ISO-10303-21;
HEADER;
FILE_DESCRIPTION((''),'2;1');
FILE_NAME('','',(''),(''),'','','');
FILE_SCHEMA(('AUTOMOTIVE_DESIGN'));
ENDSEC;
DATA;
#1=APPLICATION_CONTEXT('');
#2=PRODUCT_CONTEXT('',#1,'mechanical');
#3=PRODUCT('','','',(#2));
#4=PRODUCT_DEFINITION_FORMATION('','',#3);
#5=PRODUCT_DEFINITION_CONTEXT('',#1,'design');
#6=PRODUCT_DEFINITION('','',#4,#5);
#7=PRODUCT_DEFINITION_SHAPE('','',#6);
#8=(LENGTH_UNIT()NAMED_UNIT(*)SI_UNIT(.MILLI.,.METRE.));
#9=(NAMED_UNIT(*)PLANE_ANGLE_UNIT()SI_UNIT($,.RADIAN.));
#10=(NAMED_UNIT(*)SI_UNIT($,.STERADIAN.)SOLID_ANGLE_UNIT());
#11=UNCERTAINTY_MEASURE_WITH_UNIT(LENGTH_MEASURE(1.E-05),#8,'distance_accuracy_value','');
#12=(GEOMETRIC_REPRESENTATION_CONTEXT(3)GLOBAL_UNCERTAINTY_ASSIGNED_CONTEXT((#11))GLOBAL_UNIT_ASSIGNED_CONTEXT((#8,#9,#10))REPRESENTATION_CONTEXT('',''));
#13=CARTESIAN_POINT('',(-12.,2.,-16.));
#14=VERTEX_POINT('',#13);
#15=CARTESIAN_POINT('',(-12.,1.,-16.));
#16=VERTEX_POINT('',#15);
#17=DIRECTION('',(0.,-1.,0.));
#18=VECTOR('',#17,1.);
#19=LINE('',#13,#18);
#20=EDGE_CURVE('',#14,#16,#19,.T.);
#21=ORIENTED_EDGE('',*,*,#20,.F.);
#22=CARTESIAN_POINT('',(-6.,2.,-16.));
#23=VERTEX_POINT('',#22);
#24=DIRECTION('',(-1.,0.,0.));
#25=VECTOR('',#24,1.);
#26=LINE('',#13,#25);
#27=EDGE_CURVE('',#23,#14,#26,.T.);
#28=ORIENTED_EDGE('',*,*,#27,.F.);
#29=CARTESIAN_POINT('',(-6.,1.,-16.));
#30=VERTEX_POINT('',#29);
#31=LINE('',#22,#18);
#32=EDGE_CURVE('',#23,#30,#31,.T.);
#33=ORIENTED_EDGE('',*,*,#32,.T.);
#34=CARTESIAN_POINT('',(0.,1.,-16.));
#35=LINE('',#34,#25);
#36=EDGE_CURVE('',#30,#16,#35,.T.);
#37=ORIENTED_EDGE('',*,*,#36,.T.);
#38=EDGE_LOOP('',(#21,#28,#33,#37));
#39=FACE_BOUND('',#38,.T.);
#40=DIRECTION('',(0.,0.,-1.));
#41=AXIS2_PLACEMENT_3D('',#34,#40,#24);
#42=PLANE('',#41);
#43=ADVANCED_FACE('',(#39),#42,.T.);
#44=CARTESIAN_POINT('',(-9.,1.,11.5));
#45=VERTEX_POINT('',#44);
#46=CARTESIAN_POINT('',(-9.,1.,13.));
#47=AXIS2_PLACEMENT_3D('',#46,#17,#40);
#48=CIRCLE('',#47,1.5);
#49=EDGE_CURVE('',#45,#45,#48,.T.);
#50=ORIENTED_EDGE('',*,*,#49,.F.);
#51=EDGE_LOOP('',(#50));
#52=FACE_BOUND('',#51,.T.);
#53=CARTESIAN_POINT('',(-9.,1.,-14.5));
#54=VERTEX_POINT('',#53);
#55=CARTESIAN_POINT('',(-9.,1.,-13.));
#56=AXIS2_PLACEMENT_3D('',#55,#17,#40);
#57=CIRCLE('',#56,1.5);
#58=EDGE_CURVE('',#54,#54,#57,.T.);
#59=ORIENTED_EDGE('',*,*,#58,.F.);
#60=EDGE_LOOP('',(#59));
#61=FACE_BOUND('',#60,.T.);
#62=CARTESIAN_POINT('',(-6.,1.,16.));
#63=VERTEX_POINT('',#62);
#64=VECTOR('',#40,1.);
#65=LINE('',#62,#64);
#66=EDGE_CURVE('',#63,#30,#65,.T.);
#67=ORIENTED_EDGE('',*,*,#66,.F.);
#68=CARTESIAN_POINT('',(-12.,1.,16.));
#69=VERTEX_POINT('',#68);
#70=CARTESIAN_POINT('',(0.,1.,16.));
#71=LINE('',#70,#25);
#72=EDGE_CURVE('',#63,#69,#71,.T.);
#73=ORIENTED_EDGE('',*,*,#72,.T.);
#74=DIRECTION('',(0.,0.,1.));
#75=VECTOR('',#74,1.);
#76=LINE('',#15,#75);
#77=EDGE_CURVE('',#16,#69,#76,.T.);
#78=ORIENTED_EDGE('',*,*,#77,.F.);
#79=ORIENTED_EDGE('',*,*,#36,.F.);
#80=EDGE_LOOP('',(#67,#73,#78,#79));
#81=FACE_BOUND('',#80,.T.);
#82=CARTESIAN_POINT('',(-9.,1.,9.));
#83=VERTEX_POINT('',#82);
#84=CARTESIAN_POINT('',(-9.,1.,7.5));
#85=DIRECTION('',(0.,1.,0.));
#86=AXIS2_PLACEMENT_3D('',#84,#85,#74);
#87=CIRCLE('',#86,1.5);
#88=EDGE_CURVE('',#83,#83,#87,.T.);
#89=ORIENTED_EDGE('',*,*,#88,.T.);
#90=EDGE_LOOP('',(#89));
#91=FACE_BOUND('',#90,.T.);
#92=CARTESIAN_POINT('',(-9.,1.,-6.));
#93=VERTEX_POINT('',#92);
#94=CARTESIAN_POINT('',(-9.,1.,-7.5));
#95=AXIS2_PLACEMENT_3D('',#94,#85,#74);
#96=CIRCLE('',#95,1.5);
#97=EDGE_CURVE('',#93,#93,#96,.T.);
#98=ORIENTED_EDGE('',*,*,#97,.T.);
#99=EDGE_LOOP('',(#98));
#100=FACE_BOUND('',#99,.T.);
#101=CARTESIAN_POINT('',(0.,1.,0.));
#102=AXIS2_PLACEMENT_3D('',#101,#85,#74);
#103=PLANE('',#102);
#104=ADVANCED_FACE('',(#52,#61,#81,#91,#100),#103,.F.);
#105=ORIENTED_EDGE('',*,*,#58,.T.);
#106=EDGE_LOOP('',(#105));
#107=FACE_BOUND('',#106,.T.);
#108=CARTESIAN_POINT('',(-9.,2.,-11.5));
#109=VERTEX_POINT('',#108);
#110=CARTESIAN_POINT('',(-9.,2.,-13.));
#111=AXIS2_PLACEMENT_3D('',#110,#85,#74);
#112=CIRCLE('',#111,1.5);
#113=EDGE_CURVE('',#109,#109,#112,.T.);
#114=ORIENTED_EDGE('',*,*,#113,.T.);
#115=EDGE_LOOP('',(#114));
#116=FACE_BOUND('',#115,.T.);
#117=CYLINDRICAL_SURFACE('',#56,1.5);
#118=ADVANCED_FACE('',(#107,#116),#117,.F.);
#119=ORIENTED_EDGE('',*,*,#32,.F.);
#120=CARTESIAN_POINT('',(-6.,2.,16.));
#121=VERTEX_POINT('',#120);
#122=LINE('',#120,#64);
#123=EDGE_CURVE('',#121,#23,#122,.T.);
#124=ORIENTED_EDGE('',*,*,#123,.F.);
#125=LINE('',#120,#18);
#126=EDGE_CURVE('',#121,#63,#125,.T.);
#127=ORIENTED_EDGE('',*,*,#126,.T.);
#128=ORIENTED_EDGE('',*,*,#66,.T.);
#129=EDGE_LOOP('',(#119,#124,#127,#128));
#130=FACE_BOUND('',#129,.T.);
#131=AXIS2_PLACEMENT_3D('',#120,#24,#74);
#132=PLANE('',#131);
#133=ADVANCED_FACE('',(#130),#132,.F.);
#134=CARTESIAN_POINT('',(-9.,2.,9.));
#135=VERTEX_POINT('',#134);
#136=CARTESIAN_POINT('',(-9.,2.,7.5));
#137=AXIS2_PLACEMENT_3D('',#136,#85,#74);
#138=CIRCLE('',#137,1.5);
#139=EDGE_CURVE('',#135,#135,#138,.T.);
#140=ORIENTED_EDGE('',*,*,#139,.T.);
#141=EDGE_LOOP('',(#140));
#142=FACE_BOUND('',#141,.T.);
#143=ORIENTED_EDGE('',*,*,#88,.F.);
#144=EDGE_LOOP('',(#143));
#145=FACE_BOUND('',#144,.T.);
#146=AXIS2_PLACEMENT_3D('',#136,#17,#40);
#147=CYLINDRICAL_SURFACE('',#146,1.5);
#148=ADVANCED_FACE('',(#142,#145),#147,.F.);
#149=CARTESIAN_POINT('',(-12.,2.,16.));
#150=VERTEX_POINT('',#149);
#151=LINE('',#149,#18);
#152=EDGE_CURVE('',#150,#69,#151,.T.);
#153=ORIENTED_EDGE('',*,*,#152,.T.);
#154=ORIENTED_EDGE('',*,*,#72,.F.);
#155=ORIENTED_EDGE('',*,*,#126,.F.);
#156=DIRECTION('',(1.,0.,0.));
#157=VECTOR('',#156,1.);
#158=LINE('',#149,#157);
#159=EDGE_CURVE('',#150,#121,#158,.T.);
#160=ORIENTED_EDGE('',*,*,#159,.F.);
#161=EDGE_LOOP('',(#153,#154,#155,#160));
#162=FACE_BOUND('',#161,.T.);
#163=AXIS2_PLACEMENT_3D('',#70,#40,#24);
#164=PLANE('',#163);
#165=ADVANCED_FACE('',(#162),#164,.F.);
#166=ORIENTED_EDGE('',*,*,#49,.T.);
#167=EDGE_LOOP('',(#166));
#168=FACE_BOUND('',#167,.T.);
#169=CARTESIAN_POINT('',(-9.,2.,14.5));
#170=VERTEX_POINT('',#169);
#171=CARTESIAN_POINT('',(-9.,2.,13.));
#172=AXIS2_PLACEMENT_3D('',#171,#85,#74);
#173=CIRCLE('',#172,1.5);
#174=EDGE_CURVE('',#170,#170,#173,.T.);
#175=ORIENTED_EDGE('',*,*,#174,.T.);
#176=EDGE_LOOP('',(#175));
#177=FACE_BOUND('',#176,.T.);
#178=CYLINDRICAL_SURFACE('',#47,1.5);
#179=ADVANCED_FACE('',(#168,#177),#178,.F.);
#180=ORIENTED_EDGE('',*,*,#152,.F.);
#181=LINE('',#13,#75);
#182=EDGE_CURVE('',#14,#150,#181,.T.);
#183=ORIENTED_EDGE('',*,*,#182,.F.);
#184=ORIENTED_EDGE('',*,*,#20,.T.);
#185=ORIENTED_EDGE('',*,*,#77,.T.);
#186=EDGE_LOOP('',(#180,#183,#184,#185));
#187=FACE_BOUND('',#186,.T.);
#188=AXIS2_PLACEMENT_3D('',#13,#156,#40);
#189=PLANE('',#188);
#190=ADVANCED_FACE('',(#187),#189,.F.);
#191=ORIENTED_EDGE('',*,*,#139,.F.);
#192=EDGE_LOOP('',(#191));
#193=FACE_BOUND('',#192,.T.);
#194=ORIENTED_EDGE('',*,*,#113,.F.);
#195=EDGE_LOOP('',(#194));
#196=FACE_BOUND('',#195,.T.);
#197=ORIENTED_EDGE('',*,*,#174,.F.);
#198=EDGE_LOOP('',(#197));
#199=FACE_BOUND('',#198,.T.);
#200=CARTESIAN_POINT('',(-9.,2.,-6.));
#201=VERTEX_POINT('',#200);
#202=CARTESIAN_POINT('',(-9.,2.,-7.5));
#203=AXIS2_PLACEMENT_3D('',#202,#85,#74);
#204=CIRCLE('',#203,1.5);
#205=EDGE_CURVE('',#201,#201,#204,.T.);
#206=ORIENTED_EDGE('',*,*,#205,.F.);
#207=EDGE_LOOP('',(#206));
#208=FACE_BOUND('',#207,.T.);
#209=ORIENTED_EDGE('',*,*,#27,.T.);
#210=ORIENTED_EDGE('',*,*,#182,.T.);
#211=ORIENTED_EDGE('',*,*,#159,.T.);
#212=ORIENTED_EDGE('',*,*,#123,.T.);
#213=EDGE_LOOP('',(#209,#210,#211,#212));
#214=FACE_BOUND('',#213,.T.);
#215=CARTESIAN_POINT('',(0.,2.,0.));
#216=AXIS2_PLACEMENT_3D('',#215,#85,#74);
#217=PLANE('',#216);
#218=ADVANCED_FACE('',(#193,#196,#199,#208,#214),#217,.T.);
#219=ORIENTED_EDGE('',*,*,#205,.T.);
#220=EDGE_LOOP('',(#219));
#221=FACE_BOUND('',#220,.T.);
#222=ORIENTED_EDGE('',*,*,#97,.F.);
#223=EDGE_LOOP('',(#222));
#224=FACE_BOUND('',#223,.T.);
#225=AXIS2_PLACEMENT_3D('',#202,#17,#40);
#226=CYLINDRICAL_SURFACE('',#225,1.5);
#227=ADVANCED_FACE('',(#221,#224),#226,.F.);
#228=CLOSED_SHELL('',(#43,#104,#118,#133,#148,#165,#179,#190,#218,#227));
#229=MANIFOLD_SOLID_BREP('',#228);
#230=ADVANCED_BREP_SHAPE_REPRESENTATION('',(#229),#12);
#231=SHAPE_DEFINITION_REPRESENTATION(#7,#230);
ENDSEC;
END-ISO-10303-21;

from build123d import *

# Parameters (mm, degrees)
SKETCH_1_R          = 35
SKETCH_1_R_2        = 1.5
EXTRUDE_1_DEPTH     = 1
SKETCH_2_W          = 6
SKETCH_2_H          = 32
SKETCH_2_R          = 1.5
EXTRUDE_2_DEPTH     = 1
SKETCH_3_R          = 35
CUT_EXTRUDE_1_DEPTH = 1


with BuildPart() as part:
    # Эскиз1 → Бобышка-Вытянуть1 (new body)
    with BuildSketch(Plane(origin=(0, 0, 0), x_dir=(1, 0, 0), z_dir=(0, 1, 0))):
        with Locations(Location((0, 0, 0), (0, 0, 270))):
            Circle(SKETCH_1_R)
        with BuildLine():
            Line((-20.493901532, -16), (20.493901532, -16))
            ThreePointArc((20.493901532, -16), (0, -26), (-20.493901532, -16))
        make_face(mode=Mode.SUBTRACT)
        with BuildLine():
            Line((-18, -10), (-24, -10))
            ThreePointArc((-24, -10), (-26, 0), (-24, 10))
            Line((-24, 10), (-18, 10))
            Line((-18, 10), (24, 10))
            ThreePointArc((24, 10), (26, 0), (24, -10))
            Line((24, -10), (-18, -10))
        make_face(mode=Mode.SUBTRACT)
        with Locations(Location((-18, -13, 0), (0, 0, 270))):
            Circle(SKETCH_1_R_2, mode=Mode.SUBTRACT)
        with Locations(Location((-9, -13, 0), (0, 0, 270))):
            Circle(SKETCH_1_R_2, mode=Mode.SUBTRACT)
        with Locations(Location((0, -13, 0), (0, 0, 270))):
            Circle(SKETCH_1_R_2, mode=Mode.SUBTRACT)
        with Locations(Location((9, -13, 0), (0, 0, 270))):
            Circle(SKETCH_1_R_2, mode=Mode.SUBTRACT)
        with Locations(Location((18, -13, 0), (0, 0, 270))):
            Circle(SKETCH_1_R_2, mode=Mode.SUBTRACT)
        with Locations(Location((-21.566756826, -21.566756826, 0), (0, 0, 270))):
            Circle(SKETCH_1_R_2, mode=Mode.SUBTRACT)
        with Locations(Location((-30.5, 0, 0), (0, 0, 270))):
            Circle(SKETCH_1_R_2, mode=Mode.SUBTRACT)
        with Locations(Location((0, -30.5, 0), (0, 0, 270))):
            Circle(SKETCH_1_R_2, mode=Mode.SUBTRACT)
        with Locations(Location((21.566756826, -21.566756826, 0), (0, 0, 270))):
            Circle(SKETCH_1_R_2, mode=Mode.SUBTRACT)
        with Locations(Location((-21.566756826, 21.566756826, 0), (0, 0, 270))):
            Circle(SKETCH_1_R_2, mode=Mode.SUBTRACT)
        with BuildLine():
            ThreePointArc((-20.493901532, 16), (0, 26), (20.493901532, 16))
            Line((20.493901532, 16), (-20.493901532, 16))
        make_face(mode=Mode.SUBTRACT)
        with Locations(Location((0, 30.5, 0), (0, 0, 270))):
            Circle(SKETCH_1_R_2, mode=Mode.SUBTRACT)
        with Locations(Location((21.566756826, 21.566756826, 0), (0, 0, 270))):
            Circle(SKETCH_1_R_2, mode=Mode.SUBTRACT)
        with Locations(Location((30.5, 0, 0), (0, 0, 270))):
            Circle(SKETCH_1_R_2, mode=Mode.SUBTRACT)
        with Locations(Location((18, 13, 0), (0, 0, 270))):
            Circle(SKETCH_1_R_2, mode=Mode.SUBTRACT)
        with Locations(Location((-18, 13, 0), (0, 0, 270))):
            Circle(SKETCH_1_R_2, mode=Mode.SUBTRACT)
        with Locations(Location((-9, 13, 0), (0, 0, 270))):
            Circle(SKETCH_1_R_2, mode=Mode.SUBTRACT)
        with Locations(Location((0, 13, 0), (0, 0, 270))):
            Circle(SKETCH_1_R_2, mode=Mode.SUBTRACT)
        with Locations(Location((9, 13, 0), (0, 0, 270))):
            Circle(SKETCH_1_R_2, mode=Mode.SUBTRACT)
    extrude(amount=EXTRUDE_1_DEPTH)

    # Эскиз2 → Бобышка-Вытянуть2 (add)
    with BuildSketch(Plane(origin=(0, 1, 0), x_dir=(1, 0, 0), z_dir=(0, 1, 0))):
        with Locations((-9, 0)):
            Rectangle(SKETCH_2_W, SKETCH_2_H)
        with Locations(Location((-9, -7.5, 0), (0, 0, 270))):
            Circle(SKETCH_2_R, mode=Mode.SUBTRACT)
        with Locations(Location((-9, 7.5, 0), (0, 0, 270))):
            Circle(SKETCH_2_R, mode=Mode.SUBTRACT)
        with Locations(Location((-9, -13, 0), (0, 0, 270))):
            Circle(SKETCH_2_R, mode=Mode.SUBTRACT)
        with Locations(Location((-9, 13, 0), (0, 0, 270))):
            Circle(SKETCH_2_R, mode=Mode.SUBTRACT)
    extrude(amount=EXTRUDE_2_DEPTH)

    # Эскиз3 → Вырез-Вытянуть1 (cut)
    with BuildSketch(Plane.XZ):
        Circle(SKETCH_3_R)
    extrude(amount=-CUT_EXTRUDE_1_DEPTH, mode=Mode.SUBTRACT)


solid = part.part
